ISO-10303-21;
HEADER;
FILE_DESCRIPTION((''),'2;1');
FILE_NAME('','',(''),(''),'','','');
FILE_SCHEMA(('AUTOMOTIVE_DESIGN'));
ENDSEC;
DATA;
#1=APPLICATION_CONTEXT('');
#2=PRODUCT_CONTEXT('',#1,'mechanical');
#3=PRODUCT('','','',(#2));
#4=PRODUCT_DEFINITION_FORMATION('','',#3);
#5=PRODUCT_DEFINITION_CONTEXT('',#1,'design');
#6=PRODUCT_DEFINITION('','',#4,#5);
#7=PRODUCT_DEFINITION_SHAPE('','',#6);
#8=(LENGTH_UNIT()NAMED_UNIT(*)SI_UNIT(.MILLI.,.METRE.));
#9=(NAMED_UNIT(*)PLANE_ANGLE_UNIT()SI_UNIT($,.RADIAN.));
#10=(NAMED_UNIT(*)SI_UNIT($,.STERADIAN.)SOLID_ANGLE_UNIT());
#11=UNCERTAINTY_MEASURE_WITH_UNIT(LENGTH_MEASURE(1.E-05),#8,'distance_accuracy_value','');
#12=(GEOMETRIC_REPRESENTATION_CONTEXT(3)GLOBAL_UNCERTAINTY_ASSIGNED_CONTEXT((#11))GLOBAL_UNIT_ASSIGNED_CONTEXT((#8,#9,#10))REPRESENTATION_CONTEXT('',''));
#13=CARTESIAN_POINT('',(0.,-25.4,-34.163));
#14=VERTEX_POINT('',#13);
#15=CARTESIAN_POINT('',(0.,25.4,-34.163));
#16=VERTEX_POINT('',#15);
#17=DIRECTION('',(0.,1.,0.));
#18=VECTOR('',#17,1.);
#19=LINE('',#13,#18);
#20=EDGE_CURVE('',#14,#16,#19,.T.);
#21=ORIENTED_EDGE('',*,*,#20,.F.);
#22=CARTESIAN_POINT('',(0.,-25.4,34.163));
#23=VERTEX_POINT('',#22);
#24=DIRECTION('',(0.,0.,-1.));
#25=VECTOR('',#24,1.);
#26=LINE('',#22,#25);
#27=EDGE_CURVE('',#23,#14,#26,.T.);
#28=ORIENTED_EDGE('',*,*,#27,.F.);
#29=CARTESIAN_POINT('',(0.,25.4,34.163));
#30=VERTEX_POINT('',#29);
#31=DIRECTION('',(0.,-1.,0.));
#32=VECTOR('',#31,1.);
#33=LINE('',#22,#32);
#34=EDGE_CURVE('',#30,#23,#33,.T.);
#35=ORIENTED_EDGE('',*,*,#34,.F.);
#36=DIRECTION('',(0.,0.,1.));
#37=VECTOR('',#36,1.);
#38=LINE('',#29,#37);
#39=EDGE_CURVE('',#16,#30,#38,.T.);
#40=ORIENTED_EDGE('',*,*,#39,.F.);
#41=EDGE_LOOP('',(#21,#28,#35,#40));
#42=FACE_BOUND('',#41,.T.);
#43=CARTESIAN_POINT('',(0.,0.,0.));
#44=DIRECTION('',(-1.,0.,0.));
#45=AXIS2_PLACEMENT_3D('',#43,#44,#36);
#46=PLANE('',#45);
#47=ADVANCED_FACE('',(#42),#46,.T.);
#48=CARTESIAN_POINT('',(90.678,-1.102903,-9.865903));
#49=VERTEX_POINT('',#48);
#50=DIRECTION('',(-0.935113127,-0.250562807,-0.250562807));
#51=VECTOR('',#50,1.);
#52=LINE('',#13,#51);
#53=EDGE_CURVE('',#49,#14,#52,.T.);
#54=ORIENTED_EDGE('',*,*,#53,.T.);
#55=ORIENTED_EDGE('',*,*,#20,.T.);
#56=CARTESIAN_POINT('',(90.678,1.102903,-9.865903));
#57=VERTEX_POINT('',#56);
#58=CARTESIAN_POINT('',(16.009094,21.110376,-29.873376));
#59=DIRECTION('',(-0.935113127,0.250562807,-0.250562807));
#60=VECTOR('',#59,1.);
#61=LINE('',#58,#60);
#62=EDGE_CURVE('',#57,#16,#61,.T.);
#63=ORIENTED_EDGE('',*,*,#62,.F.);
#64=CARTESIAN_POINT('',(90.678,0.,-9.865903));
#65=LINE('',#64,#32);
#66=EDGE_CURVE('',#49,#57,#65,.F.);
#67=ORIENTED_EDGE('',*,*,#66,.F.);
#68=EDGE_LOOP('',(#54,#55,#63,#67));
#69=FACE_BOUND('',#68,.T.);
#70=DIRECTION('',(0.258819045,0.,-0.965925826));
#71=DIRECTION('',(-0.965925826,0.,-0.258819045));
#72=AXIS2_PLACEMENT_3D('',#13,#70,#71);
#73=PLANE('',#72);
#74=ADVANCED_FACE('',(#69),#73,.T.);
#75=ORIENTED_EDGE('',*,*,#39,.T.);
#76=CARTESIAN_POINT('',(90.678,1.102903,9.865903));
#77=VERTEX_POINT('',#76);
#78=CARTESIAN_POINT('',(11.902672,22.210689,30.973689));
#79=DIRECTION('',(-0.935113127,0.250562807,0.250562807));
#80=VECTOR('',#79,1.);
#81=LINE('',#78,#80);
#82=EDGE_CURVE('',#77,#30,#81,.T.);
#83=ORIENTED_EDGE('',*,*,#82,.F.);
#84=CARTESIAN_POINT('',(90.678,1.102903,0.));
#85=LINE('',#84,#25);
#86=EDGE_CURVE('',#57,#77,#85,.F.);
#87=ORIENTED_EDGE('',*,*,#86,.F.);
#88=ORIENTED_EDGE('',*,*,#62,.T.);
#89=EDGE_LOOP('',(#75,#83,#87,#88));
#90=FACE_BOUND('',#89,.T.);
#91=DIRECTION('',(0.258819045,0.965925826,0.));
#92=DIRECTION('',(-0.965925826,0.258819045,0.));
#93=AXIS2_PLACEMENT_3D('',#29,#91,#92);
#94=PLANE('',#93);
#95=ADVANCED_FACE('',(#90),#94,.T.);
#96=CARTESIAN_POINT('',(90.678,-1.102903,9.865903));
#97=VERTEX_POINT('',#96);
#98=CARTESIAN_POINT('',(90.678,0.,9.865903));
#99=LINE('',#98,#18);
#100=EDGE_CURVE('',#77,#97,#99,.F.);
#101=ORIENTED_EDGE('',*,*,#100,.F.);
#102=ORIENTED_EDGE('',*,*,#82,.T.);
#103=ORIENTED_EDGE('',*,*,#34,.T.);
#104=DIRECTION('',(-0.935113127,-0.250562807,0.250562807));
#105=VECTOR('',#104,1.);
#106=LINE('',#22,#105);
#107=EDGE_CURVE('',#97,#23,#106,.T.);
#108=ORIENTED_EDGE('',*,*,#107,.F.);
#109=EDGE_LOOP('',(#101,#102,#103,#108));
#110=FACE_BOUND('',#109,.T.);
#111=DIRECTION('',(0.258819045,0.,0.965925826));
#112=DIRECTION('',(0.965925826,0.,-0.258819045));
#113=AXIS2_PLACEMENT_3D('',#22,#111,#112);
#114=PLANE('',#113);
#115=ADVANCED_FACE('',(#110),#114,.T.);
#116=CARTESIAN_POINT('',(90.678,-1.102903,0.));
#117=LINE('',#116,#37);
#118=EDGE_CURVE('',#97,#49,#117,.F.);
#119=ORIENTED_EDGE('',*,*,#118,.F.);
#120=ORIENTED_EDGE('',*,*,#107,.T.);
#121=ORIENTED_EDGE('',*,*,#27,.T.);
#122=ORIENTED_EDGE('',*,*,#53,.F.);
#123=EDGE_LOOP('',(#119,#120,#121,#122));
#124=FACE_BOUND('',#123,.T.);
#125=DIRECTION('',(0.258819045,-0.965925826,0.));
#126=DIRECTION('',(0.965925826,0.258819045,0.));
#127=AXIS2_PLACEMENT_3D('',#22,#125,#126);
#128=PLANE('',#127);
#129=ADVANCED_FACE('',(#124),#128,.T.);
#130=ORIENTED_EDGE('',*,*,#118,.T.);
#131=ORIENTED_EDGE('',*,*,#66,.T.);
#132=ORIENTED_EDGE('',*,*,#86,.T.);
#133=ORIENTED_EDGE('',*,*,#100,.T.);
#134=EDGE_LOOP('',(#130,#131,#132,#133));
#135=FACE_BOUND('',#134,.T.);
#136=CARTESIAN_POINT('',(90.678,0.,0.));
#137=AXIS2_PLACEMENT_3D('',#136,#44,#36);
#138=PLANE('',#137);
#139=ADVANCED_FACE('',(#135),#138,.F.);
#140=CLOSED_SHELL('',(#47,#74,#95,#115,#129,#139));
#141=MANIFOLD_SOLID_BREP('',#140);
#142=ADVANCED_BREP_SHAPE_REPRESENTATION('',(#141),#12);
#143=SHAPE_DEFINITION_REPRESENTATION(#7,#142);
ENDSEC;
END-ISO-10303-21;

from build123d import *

# Parameters (mm, degrees)
SKETCH1_W           = 68.326
SKETCH1_H           = 50.8
BOSS_EXTRUDE1_DEPTH = 90.678
BOSS_EXTRUDE1_TAPER = 15


with BuildPart() as part:
    # Sketch1 → Boss-Extrude1 (new body)
    with BuildSketch(Plane(origin=(0, 0, 0), x_dir=(0, 0, -1), z_dir=(1, 0, 0))):
        Rectangle(SKETCH1_W, SKETCH1_H)
    extrude(amount=BOSS_EXTRUDE1_DEPTH, taper=BOSS_EXTRUDE1_TAPER)


solid = part.part
